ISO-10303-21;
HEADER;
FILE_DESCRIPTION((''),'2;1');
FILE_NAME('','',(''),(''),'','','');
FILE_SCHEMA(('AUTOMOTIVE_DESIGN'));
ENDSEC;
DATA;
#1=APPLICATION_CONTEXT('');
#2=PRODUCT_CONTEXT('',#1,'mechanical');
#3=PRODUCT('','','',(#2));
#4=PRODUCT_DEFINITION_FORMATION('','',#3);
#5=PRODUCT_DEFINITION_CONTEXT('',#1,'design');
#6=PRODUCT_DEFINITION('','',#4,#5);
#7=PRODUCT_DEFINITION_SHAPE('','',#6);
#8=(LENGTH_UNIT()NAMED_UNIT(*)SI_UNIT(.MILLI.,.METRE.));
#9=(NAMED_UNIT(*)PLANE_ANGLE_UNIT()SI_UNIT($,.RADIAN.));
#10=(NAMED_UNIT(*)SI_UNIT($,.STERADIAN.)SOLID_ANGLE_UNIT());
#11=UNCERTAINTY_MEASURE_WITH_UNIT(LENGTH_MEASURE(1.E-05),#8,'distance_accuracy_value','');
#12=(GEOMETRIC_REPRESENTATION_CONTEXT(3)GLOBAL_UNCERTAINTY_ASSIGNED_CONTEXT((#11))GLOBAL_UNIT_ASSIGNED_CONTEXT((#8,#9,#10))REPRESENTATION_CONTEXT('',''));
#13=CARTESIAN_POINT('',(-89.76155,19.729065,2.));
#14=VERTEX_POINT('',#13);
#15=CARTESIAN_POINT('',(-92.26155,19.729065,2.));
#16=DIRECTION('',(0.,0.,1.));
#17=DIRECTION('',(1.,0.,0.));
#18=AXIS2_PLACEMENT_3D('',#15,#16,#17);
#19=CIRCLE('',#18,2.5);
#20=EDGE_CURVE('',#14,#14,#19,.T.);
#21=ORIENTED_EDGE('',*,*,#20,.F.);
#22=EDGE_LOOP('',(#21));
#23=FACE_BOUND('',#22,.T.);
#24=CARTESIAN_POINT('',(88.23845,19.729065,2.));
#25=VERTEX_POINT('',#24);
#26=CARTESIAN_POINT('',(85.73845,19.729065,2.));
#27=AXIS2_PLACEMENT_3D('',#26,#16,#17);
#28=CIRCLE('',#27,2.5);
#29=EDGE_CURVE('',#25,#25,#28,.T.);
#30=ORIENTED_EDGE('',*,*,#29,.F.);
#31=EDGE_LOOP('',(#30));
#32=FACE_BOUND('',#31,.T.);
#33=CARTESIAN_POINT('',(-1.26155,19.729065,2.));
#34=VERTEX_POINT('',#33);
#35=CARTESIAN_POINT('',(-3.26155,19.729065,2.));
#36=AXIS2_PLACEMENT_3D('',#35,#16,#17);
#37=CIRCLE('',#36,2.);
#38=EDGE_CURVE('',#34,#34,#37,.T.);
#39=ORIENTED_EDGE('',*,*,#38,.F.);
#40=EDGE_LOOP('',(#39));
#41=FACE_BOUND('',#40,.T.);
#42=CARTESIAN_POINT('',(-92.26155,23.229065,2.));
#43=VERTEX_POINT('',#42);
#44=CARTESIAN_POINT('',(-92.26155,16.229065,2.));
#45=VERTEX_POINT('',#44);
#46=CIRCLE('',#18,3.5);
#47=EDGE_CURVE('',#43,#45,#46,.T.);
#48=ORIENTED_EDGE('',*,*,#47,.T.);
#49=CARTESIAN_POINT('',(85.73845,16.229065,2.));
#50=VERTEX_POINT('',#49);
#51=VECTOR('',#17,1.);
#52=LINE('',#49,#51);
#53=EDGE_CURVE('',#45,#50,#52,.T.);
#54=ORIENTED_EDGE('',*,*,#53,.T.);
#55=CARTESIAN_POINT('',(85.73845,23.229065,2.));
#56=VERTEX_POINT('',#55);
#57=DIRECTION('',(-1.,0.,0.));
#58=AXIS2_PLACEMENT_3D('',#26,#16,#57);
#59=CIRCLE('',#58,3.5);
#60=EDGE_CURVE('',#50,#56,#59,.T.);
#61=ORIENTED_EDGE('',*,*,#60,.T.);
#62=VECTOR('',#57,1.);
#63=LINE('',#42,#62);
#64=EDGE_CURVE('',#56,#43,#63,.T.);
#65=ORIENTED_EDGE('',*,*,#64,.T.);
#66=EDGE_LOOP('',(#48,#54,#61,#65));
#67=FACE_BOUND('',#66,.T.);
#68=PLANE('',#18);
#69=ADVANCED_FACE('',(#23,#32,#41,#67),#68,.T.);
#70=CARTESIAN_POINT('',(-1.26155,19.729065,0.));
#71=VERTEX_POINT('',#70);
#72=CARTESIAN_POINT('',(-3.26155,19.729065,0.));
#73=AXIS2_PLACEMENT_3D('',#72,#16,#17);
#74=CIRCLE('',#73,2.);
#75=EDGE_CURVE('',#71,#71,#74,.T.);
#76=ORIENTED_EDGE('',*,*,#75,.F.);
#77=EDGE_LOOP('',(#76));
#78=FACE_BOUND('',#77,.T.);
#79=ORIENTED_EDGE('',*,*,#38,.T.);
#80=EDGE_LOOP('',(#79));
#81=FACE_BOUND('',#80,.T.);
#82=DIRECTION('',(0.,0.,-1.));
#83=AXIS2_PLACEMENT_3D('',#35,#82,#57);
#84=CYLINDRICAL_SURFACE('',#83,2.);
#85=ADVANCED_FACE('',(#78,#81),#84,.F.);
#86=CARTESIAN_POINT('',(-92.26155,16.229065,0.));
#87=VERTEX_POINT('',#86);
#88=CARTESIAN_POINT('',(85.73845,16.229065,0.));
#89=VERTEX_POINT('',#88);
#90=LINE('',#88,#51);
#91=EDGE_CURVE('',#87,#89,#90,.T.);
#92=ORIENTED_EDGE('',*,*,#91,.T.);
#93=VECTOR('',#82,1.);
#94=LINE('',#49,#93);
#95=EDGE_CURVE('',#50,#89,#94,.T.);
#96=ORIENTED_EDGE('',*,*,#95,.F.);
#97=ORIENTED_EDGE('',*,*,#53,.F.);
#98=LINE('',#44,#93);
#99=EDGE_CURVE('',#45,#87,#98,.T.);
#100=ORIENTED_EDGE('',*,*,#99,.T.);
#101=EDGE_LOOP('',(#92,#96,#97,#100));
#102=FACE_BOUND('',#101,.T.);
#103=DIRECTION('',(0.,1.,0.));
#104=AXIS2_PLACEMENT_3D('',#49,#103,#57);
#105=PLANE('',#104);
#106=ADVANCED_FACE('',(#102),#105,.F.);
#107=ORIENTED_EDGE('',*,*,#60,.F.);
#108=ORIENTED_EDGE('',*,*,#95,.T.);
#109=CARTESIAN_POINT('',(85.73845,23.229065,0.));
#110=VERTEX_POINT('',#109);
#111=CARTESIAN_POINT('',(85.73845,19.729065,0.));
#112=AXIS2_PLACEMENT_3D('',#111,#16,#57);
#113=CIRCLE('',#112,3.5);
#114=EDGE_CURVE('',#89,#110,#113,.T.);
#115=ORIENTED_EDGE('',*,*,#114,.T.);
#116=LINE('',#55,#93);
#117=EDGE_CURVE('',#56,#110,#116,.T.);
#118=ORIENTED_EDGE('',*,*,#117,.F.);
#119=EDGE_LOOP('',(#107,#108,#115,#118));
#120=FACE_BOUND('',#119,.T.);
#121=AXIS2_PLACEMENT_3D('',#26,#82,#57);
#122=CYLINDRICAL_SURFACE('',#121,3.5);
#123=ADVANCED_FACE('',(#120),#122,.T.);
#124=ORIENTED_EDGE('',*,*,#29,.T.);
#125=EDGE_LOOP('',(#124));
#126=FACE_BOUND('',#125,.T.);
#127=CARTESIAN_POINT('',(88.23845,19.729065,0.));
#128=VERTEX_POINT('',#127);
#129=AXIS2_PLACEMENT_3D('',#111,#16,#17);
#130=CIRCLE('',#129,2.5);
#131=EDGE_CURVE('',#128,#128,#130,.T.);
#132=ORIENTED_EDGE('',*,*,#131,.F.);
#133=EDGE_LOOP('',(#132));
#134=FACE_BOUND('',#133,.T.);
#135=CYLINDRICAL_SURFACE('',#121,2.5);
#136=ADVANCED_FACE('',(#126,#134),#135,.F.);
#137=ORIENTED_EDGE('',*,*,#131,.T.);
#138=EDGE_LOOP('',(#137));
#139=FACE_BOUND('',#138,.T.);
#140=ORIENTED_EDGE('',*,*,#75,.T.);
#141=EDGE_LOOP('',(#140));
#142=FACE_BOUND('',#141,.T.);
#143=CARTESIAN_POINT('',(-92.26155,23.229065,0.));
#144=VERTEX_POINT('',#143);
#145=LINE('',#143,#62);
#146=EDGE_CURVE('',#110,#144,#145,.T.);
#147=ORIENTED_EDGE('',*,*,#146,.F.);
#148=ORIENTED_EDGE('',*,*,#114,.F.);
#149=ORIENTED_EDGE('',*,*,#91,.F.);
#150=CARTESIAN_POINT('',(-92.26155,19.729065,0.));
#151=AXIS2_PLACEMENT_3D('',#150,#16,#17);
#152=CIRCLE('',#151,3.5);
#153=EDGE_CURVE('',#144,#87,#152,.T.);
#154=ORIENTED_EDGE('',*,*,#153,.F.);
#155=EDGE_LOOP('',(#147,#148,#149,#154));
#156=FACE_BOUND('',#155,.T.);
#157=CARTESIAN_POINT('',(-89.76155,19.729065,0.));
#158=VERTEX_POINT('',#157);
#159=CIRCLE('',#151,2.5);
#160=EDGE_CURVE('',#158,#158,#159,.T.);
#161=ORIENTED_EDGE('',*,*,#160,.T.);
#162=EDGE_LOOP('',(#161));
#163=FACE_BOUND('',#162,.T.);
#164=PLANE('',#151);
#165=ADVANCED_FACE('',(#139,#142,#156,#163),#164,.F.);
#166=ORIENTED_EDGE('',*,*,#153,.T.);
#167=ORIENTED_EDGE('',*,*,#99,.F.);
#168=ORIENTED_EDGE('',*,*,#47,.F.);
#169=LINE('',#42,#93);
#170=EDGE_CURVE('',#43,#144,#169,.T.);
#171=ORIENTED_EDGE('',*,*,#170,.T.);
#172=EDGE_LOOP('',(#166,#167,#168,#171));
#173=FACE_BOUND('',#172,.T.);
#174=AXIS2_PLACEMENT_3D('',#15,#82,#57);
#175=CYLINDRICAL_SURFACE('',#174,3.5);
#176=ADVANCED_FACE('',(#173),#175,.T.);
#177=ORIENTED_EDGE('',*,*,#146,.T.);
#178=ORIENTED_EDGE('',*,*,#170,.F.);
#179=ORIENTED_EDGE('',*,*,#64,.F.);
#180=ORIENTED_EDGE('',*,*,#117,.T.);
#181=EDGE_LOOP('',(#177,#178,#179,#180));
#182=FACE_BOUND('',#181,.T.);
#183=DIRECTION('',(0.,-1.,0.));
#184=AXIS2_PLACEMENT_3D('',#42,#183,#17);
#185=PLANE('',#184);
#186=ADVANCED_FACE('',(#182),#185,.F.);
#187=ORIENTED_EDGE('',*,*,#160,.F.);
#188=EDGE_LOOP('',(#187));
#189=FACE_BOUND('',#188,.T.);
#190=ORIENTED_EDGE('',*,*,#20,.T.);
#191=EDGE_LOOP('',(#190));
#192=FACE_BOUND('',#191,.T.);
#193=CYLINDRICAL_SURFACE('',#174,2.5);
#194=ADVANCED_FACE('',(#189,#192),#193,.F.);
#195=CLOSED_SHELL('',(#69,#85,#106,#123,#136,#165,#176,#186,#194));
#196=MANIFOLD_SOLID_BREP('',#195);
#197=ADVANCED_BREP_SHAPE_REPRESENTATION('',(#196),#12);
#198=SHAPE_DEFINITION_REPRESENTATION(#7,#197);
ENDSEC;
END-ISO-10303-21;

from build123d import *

# Parameters (mm, degrees)
SKETCH_1_R      = 2.5
SKETCH_1_R_2    = 2
EXTRUDE_1_DEPTH = 2


with BuildPart() as part:
    # 스케치1 → 보스-돌출1 (new body)
    with BuildSketch(Plane.XY):
        with BuildLine():
            Line((-92.261550106, 23.229064941), (85.738449894, 23.229064941))
            ThreePointArc((85.738449894, 23.229064941), (89.238449894, 19.729064941), (85.738449894, 16.229064941))
            Line((85.738449894, 16.229064941), (-92.261550106, 16.229064941))
            ThreePointArc((-92.261550106, 16.229064941), (-95.761550106, 19.729064941), (-92.261550106, 23.229064941))
        make_face()
        with Locations((-92.261550106, 19.729064941)):
            Circle(SKETCH_1_R, mode=Mode.SUBTRACT)
        with Locations((85.738449894, 19.729064941)):
            Circle(SKETCH_1_R, mode=Mode.SUBTRACT)
        with Locations((-3.261550106, 19.729064941)):
            Circle(SKETCH_1_R_2, mode=Mode.SUBTRACT)
    extrude(amount=EXTRUDE_1_DEPTH)


solid = part.part
